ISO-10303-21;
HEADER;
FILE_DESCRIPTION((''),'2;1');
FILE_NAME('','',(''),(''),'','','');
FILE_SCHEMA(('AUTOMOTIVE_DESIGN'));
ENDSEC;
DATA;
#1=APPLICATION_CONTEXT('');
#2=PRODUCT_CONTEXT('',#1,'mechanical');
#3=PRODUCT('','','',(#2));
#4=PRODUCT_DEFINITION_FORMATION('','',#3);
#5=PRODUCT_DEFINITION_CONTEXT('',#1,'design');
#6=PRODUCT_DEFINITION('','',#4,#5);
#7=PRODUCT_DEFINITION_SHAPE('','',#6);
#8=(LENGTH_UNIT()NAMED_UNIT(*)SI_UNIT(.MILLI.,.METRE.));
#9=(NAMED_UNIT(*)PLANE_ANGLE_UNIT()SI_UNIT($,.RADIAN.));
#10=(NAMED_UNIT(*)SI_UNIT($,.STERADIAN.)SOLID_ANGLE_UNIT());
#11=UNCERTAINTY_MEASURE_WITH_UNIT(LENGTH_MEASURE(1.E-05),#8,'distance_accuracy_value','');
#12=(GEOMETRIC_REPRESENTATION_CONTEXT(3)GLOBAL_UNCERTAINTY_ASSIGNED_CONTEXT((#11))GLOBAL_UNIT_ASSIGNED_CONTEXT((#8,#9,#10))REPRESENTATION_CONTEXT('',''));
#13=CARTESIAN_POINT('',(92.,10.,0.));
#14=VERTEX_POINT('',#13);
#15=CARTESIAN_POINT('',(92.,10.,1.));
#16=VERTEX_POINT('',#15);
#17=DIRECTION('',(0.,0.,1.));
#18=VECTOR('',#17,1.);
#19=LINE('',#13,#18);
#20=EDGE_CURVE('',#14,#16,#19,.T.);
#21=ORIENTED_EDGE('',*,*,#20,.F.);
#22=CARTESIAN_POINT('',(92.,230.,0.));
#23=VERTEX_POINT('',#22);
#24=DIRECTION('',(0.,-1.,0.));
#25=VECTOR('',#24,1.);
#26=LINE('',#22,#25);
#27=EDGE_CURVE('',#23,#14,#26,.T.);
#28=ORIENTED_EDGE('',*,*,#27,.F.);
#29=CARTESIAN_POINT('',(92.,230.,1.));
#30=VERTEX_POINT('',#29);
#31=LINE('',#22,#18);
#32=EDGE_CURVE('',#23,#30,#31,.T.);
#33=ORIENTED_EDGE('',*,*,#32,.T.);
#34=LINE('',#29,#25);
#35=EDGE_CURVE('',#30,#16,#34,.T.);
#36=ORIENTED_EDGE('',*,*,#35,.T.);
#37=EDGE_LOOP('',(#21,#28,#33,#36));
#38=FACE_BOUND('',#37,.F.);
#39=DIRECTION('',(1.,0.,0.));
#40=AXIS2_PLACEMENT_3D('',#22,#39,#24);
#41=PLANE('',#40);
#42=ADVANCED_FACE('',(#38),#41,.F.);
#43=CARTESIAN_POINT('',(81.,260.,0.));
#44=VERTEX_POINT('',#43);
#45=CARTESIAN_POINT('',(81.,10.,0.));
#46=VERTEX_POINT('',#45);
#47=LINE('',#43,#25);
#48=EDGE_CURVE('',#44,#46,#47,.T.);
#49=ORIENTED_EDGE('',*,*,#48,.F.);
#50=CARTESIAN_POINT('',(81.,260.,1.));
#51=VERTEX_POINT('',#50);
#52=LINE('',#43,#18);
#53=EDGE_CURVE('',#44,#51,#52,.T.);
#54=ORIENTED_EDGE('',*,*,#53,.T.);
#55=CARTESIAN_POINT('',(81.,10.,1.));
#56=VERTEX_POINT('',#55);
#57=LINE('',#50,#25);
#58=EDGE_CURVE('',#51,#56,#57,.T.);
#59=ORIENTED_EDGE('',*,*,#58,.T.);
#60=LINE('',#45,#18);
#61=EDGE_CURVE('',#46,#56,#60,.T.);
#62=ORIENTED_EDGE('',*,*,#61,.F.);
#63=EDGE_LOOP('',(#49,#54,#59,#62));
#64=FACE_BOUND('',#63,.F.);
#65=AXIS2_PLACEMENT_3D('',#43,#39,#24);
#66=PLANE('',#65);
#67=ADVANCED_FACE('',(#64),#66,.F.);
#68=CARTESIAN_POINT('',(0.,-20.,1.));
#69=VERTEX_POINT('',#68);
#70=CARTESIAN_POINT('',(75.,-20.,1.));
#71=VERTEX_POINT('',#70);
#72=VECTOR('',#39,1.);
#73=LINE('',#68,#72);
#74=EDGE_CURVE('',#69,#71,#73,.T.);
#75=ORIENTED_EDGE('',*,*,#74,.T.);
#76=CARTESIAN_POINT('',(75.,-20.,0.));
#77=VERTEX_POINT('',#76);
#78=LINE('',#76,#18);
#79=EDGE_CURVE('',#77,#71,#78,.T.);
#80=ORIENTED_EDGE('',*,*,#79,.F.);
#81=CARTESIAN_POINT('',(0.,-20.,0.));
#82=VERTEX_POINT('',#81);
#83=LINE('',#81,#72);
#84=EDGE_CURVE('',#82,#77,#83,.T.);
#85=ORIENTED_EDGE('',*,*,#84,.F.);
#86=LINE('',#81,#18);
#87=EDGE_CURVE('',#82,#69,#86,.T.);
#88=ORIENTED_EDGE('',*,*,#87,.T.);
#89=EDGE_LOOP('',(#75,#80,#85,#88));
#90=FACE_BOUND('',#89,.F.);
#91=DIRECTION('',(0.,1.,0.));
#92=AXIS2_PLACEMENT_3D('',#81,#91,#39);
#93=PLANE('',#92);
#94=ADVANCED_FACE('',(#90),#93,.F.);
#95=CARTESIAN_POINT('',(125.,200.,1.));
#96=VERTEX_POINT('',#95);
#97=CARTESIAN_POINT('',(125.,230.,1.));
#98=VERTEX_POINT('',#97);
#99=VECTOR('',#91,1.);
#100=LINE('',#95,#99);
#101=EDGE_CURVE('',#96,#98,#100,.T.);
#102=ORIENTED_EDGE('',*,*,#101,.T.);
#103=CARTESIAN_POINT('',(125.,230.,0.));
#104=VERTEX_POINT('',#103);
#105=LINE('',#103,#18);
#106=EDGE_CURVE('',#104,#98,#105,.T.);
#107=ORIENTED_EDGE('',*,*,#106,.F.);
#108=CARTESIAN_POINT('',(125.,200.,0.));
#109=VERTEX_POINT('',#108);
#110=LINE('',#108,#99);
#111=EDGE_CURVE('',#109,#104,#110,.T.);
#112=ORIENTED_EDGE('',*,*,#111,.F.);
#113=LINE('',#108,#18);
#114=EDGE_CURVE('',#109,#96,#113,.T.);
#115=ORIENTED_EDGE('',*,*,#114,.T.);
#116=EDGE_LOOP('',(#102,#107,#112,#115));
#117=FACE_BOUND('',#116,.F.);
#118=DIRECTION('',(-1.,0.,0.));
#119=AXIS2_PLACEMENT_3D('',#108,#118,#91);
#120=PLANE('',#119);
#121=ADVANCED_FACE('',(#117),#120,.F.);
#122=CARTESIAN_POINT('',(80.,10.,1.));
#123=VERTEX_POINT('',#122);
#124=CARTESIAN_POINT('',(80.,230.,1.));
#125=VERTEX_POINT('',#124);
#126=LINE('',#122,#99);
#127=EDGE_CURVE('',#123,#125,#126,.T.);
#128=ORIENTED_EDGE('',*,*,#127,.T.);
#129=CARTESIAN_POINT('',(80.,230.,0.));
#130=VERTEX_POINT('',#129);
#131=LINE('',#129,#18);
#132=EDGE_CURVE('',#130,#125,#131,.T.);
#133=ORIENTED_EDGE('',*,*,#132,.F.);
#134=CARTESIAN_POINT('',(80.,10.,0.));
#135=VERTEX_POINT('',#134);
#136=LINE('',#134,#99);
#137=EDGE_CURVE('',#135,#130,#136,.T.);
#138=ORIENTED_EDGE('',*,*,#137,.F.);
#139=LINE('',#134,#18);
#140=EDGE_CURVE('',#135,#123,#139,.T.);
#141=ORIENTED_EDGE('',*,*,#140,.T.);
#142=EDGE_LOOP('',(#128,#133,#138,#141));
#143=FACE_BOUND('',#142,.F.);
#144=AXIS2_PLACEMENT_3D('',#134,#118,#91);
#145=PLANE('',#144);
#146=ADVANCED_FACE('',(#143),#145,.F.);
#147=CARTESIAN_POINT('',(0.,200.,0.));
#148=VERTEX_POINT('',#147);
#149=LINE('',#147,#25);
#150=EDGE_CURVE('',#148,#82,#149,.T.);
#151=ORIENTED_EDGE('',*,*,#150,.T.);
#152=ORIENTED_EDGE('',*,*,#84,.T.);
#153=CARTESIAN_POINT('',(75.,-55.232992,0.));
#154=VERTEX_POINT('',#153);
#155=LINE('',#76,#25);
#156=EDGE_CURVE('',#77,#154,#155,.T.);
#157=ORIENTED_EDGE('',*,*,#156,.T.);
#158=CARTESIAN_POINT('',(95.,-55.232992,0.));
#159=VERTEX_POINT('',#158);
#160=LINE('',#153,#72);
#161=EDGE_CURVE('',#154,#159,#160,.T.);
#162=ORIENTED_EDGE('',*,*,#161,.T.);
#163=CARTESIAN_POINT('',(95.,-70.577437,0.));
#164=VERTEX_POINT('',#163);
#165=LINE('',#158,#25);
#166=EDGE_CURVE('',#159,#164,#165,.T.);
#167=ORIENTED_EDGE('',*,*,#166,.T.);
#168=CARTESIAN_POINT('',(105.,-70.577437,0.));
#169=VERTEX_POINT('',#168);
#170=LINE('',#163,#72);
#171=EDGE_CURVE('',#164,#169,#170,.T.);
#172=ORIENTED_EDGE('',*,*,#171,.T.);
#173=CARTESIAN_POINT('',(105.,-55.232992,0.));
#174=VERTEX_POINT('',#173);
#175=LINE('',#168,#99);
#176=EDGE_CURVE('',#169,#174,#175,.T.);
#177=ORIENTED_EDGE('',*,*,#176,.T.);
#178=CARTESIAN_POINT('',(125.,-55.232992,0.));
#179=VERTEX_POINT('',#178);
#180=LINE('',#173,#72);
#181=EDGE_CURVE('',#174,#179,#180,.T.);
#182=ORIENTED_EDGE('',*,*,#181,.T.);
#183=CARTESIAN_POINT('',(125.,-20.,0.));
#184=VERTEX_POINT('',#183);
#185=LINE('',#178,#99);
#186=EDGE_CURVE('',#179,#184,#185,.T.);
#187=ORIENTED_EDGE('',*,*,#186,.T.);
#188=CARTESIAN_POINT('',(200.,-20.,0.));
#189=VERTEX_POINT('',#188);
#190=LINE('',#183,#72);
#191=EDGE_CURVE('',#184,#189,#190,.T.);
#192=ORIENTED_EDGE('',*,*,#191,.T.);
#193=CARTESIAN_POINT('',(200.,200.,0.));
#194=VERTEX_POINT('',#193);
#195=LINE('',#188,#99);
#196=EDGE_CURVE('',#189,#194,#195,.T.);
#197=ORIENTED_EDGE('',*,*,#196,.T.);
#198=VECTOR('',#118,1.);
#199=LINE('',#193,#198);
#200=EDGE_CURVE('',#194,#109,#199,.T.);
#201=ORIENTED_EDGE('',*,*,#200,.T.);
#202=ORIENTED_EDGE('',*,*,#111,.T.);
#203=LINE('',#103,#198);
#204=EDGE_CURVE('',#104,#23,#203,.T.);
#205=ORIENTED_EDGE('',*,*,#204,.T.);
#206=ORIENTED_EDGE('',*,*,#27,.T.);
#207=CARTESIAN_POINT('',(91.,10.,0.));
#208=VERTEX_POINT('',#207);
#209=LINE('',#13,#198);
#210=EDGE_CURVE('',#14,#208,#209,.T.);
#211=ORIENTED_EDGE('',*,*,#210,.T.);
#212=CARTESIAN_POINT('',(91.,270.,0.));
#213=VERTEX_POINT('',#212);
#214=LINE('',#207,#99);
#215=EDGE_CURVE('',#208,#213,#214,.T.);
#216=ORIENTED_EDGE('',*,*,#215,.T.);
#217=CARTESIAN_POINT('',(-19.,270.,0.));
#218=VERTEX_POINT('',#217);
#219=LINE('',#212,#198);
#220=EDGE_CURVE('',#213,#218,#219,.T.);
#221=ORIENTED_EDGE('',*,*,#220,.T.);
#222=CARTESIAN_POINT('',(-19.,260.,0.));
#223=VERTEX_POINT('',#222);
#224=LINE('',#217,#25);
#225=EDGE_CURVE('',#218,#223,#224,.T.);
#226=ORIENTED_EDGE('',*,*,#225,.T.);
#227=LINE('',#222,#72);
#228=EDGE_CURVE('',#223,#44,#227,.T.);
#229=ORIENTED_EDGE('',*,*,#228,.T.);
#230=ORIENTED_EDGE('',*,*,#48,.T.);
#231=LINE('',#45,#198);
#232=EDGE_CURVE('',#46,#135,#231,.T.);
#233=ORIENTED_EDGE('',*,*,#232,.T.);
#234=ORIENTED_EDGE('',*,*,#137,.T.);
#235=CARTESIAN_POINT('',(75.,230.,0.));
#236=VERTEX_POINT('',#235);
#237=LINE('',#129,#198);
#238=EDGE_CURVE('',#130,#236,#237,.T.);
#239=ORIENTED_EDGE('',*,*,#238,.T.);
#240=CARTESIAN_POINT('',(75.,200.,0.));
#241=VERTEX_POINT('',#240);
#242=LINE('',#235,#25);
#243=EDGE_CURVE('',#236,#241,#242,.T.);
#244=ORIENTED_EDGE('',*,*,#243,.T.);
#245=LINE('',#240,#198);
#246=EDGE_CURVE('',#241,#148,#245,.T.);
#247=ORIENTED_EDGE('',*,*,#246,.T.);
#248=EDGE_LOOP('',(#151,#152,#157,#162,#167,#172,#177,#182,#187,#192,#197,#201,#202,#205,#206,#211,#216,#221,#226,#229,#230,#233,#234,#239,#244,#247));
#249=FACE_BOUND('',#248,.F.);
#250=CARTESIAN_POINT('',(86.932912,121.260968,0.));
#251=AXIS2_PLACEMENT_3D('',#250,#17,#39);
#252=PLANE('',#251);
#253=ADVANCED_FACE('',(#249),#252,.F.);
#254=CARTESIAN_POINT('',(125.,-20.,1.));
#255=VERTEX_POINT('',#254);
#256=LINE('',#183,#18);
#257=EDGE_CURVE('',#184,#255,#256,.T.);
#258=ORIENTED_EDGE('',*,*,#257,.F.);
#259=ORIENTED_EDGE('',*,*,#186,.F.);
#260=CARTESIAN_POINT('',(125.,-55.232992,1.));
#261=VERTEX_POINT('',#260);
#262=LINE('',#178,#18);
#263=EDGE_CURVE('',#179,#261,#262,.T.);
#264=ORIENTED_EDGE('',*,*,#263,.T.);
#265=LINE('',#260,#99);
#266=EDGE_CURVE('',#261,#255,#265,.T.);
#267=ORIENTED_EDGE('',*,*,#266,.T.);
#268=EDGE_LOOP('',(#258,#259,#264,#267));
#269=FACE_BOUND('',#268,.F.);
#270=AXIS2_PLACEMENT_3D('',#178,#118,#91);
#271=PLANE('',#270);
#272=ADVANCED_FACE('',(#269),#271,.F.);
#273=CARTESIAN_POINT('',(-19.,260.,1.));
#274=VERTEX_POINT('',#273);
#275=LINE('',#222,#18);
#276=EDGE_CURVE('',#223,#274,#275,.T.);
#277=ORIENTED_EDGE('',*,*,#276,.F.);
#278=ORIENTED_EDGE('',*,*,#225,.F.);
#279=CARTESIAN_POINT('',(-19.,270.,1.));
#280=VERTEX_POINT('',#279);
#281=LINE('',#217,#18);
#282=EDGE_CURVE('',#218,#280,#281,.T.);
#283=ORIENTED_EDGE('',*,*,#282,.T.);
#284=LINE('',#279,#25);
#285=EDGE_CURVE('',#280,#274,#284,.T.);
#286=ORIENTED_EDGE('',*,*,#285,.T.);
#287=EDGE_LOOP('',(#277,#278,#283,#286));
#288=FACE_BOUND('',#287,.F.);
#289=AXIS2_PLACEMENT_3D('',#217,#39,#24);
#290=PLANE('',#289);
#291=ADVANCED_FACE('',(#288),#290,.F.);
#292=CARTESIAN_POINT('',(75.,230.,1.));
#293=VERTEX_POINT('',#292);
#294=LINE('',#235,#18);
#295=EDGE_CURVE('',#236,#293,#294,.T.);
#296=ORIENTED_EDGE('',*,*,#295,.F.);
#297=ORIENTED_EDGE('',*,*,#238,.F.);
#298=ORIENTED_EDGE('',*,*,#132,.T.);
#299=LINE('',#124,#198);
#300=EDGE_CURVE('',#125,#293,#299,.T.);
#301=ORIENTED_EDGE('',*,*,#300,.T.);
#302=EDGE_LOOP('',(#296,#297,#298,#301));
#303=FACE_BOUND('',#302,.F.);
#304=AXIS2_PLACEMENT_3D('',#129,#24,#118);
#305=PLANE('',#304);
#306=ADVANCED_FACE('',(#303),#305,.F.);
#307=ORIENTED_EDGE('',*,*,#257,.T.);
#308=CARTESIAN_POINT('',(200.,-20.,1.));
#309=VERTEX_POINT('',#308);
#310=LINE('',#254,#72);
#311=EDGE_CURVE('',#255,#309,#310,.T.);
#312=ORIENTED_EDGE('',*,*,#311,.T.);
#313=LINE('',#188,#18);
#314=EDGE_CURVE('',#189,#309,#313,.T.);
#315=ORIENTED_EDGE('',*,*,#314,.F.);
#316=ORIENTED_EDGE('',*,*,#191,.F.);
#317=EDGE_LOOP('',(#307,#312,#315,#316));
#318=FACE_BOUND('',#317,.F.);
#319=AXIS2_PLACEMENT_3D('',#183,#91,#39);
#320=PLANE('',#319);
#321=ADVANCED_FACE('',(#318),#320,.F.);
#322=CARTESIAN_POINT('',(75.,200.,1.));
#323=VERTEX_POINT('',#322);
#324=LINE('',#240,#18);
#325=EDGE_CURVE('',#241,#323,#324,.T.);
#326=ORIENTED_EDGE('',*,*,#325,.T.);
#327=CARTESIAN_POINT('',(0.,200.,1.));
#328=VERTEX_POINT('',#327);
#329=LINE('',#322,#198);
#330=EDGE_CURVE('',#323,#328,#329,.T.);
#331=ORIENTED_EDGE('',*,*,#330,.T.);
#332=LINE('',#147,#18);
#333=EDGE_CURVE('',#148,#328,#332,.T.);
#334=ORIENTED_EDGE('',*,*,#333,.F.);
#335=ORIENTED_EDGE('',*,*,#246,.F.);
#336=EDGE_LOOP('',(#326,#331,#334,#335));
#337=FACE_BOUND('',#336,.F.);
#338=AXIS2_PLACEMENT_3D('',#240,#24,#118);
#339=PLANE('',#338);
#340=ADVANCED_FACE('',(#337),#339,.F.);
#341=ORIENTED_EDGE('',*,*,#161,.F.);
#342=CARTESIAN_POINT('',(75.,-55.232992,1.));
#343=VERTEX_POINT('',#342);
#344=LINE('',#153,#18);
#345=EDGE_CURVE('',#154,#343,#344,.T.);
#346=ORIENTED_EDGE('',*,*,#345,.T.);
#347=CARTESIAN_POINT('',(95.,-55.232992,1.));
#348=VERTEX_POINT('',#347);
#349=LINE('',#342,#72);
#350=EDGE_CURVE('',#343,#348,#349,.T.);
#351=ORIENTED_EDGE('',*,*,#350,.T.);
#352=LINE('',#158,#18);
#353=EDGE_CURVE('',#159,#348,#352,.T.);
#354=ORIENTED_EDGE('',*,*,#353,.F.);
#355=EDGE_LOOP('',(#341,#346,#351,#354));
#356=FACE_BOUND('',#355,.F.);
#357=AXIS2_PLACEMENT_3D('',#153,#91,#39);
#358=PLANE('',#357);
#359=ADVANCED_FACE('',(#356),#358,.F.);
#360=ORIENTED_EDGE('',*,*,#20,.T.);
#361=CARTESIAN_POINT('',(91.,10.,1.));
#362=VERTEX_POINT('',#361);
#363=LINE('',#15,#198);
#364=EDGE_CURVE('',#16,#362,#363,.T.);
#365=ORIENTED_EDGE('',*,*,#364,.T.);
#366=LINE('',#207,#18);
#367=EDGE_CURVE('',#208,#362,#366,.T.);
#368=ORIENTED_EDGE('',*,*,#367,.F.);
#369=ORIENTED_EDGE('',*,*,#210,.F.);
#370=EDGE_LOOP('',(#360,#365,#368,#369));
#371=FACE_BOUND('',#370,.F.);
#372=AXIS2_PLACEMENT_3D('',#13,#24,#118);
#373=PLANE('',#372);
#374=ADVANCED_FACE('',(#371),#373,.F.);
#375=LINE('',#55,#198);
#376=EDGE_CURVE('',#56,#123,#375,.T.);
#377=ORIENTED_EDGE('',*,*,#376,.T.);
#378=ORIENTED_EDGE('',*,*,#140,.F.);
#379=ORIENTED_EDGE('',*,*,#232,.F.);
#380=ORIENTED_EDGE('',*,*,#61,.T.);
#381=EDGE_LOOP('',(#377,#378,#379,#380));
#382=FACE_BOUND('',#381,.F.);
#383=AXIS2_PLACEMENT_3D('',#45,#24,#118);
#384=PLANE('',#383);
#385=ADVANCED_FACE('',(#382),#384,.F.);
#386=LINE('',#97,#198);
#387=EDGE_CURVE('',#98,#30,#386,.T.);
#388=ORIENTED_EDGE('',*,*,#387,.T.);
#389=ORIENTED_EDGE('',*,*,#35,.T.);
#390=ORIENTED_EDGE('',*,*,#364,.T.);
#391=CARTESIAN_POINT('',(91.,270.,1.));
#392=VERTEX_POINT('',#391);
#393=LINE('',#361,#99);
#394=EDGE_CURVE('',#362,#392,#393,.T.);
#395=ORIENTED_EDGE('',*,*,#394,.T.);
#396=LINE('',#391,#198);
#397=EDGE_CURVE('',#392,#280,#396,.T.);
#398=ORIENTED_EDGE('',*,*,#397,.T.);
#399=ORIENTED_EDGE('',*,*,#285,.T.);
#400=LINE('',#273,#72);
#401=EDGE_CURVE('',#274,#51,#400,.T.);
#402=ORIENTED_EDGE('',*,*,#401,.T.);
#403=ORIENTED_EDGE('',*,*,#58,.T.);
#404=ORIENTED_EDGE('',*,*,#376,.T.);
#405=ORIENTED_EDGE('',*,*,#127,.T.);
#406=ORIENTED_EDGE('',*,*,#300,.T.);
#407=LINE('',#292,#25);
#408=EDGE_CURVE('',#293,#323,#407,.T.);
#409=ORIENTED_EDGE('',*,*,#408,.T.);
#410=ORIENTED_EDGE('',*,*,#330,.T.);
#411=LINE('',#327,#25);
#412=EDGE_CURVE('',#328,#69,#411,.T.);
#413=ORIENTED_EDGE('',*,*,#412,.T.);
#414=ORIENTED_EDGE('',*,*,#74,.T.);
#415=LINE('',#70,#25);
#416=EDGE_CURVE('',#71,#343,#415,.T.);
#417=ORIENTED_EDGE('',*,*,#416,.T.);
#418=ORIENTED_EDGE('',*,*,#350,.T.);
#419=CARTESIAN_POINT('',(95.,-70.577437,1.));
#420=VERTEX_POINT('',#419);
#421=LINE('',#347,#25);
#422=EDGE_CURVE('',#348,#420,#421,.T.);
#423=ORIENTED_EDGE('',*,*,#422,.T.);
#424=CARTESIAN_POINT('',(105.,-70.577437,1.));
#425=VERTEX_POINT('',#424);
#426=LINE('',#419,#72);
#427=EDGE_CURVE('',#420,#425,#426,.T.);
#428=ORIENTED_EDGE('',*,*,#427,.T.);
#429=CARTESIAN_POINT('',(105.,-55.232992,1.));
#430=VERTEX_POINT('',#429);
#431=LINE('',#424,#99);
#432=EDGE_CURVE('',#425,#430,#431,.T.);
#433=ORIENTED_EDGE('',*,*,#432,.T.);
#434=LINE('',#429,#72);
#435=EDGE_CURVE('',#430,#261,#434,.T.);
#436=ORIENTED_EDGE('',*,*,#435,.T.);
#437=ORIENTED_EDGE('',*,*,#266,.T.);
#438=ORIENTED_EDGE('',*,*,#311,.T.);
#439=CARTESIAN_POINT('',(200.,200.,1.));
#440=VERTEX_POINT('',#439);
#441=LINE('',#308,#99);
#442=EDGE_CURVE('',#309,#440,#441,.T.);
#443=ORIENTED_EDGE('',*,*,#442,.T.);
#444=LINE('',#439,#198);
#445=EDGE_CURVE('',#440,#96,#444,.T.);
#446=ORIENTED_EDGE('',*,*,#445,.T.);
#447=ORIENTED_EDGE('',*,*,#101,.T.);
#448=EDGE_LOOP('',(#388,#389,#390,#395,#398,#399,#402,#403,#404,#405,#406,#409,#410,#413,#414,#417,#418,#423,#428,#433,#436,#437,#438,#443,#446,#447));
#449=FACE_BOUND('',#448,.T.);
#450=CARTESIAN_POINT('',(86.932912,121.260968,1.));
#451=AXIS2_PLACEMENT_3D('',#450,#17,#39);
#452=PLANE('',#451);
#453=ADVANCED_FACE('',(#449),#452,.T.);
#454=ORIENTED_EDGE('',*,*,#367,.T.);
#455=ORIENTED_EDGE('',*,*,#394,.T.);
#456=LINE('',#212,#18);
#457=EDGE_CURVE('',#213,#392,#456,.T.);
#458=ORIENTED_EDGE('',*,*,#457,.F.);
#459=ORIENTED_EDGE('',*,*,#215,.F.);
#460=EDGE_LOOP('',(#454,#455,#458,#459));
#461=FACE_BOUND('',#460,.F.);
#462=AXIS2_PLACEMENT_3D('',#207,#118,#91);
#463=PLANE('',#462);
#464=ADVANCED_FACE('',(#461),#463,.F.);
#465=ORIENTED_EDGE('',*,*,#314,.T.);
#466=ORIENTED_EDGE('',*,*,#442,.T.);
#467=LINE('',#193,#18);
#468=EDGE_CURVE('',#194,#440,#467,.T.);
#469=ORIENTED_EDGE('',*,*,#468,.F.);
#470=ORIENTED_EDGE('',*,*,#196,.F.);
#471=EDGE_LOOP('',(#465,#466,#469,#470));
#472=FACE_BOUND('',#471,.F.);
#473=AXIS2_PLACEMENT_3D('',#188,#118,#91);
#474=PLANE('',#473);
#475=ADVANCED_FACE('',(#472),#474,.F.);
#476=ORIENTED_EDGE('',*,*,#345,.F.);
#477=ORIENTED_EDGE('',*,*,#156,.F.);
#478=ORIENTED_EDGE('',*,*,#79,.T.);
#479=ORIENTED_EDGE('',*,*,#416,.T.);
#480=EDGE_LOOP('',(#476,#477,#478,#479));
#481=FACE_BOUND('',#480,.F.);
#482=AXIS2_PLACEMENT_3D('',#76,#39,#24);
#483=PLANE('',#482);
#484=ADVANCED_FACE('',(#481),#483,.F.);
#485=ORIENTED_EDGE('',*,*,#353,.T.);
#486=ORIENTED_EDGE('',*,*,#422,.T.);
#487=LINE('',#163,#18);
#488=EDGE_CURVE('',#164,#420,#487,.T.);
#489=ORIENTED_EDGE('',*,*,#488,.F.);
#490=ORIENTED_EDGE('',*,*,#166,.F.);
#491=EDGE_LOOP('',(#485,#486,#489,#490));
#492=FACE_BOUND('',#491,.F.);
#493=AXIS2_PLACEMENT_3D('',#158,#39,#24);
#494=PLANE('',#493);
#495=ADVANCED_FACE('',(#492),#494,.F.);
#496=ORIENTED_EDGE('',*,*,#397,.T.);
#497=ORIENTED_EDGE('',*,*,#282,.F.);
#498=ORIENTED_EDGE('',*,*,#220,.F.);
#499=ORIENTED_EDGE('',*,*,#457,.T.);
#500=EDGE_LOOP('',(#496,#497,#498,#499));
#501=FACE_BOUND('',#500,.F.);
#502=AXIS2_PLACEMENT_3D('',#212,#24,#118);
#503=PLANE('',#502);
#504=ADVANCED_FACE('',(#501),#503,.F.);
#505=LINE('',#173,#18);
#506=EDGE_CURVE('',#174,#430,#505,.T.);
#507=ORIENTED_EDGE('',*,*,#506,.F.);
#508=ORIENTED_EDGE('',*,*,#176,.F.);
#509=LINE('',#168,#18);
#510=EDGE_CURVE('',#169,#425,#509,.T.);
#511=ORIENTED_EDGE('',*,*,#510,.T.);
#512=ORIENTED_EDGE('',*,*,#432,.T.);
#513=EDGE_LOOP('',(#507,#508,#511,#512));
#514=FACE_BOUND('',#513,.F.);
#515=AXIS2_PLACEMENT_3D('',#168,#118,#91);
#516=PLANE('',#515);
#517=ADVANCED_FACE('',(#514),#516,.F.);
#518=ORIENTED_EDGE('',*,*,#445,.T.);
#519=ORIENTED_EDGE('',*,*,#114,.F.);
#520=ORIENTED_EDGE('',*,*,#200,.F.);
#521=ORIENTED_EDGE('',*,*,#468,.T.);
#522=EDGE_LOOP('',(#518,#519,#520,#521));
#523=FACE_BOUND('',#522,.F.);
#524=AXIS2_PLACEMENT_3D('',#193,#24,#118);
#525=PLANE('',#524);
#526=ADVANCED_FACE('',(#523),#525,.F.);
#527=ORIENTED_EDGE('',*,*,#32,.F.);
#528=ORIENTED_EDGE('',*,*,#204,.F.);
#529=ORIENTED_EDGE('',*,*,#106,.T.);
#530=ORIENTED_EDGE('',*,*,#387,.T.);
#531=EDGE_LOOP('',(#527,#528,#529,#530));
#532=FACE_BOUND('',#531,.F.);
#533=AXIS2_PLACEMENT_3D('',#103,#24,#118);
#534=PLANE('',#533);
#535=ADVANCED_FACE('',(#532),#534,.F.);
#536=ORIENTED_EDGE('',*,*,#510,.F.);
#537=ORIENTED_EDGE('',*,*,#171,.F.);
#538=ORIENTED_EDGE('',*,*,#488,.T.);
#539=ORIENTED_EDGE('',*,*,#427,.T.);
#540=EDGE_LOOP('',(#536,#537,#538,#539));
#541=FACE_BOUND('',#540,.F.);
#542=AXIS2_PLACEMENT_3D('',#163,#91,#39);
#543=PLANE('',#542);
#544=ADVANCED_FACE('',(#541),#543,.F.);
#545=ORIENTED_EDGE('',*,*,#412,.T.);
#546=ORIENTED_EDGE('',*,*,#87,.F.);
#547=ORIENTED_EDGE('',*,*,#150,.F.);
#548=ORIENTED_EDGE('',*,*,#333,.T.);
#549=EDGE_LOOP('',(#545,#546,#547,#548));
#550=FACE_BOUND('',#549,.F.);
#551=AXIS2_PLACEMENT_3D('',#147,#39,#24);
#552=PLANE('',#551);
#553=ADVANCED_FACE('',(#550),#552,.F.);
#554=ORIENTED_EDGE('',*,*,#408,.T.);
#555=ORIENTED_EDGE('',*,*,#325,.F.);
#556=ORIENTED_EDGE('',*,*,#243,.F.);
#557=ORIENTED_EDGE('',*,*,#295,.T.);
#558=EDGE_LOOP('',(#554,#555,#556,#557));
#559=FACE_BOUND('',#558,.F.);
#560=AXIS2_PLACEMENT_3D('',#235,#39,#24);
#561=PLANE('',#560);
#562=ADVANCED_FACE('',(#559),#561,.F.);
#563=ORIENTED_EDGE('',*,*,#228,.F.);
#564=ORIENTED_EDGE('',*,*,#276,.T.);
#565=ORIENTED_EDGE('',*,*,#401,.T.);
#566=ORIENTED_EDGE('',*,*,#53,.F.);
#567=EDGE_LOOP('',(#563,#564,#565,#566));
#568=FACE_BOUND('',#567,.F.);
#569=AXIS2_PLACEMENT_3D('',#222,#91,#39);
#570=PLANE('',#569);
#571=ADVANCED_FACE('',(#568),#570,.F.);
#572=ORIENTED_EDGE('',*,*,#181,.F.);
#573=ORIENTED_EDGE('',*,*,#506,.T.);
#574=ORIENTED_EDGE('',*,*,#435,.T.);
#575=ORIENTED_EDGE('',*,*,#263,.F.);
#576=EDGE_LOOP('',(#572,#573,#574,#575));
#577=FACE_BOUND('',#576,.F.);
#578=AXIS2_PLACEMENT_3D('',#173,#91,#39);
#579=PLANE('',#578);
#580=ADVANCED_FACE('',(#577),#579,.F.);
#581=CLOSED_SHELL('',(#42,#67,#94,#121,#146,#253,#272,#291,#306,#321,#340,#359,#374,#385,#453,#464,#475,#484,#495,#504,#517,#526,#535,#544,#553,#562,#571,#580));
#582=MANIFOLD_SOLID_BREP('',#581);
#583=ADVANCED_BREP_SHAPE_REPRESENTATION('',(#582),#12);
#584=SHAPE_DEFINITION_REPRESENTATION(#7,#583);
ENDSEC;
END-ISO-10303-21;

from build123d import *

# Parameters (mm, degrees)
BOSS_EXTRUDE1_DEPTH = 1


with BuildPart() as part:
    # Sketch2 → Boss-Extrude1 (new body)
    with BuildSketch(Plane.XY):
        Polygon((75, -55.232991536), (95, -55.232991536), (95, -70.577436959), (105, -70.577436959), (105, -55.232991536), (125, -55.232991536), (125, -20), (200, -20), (200, 0), (200, 200), (125, 200), (125, 230), (92, 230), (92, 10), (91, 10), (91, 230), (91, 270), (-19, 270), (-19, 260), (81, 260), (81, 230), (81, 10), (80, 10), (80, 230), (75, 230), (75, 200), (0, 200), (0, 0), (0, -20), (75, -20), align=None)
    extrude(amount=BOSS_EXTRUDE1_DEPTH)


solid = part.part
